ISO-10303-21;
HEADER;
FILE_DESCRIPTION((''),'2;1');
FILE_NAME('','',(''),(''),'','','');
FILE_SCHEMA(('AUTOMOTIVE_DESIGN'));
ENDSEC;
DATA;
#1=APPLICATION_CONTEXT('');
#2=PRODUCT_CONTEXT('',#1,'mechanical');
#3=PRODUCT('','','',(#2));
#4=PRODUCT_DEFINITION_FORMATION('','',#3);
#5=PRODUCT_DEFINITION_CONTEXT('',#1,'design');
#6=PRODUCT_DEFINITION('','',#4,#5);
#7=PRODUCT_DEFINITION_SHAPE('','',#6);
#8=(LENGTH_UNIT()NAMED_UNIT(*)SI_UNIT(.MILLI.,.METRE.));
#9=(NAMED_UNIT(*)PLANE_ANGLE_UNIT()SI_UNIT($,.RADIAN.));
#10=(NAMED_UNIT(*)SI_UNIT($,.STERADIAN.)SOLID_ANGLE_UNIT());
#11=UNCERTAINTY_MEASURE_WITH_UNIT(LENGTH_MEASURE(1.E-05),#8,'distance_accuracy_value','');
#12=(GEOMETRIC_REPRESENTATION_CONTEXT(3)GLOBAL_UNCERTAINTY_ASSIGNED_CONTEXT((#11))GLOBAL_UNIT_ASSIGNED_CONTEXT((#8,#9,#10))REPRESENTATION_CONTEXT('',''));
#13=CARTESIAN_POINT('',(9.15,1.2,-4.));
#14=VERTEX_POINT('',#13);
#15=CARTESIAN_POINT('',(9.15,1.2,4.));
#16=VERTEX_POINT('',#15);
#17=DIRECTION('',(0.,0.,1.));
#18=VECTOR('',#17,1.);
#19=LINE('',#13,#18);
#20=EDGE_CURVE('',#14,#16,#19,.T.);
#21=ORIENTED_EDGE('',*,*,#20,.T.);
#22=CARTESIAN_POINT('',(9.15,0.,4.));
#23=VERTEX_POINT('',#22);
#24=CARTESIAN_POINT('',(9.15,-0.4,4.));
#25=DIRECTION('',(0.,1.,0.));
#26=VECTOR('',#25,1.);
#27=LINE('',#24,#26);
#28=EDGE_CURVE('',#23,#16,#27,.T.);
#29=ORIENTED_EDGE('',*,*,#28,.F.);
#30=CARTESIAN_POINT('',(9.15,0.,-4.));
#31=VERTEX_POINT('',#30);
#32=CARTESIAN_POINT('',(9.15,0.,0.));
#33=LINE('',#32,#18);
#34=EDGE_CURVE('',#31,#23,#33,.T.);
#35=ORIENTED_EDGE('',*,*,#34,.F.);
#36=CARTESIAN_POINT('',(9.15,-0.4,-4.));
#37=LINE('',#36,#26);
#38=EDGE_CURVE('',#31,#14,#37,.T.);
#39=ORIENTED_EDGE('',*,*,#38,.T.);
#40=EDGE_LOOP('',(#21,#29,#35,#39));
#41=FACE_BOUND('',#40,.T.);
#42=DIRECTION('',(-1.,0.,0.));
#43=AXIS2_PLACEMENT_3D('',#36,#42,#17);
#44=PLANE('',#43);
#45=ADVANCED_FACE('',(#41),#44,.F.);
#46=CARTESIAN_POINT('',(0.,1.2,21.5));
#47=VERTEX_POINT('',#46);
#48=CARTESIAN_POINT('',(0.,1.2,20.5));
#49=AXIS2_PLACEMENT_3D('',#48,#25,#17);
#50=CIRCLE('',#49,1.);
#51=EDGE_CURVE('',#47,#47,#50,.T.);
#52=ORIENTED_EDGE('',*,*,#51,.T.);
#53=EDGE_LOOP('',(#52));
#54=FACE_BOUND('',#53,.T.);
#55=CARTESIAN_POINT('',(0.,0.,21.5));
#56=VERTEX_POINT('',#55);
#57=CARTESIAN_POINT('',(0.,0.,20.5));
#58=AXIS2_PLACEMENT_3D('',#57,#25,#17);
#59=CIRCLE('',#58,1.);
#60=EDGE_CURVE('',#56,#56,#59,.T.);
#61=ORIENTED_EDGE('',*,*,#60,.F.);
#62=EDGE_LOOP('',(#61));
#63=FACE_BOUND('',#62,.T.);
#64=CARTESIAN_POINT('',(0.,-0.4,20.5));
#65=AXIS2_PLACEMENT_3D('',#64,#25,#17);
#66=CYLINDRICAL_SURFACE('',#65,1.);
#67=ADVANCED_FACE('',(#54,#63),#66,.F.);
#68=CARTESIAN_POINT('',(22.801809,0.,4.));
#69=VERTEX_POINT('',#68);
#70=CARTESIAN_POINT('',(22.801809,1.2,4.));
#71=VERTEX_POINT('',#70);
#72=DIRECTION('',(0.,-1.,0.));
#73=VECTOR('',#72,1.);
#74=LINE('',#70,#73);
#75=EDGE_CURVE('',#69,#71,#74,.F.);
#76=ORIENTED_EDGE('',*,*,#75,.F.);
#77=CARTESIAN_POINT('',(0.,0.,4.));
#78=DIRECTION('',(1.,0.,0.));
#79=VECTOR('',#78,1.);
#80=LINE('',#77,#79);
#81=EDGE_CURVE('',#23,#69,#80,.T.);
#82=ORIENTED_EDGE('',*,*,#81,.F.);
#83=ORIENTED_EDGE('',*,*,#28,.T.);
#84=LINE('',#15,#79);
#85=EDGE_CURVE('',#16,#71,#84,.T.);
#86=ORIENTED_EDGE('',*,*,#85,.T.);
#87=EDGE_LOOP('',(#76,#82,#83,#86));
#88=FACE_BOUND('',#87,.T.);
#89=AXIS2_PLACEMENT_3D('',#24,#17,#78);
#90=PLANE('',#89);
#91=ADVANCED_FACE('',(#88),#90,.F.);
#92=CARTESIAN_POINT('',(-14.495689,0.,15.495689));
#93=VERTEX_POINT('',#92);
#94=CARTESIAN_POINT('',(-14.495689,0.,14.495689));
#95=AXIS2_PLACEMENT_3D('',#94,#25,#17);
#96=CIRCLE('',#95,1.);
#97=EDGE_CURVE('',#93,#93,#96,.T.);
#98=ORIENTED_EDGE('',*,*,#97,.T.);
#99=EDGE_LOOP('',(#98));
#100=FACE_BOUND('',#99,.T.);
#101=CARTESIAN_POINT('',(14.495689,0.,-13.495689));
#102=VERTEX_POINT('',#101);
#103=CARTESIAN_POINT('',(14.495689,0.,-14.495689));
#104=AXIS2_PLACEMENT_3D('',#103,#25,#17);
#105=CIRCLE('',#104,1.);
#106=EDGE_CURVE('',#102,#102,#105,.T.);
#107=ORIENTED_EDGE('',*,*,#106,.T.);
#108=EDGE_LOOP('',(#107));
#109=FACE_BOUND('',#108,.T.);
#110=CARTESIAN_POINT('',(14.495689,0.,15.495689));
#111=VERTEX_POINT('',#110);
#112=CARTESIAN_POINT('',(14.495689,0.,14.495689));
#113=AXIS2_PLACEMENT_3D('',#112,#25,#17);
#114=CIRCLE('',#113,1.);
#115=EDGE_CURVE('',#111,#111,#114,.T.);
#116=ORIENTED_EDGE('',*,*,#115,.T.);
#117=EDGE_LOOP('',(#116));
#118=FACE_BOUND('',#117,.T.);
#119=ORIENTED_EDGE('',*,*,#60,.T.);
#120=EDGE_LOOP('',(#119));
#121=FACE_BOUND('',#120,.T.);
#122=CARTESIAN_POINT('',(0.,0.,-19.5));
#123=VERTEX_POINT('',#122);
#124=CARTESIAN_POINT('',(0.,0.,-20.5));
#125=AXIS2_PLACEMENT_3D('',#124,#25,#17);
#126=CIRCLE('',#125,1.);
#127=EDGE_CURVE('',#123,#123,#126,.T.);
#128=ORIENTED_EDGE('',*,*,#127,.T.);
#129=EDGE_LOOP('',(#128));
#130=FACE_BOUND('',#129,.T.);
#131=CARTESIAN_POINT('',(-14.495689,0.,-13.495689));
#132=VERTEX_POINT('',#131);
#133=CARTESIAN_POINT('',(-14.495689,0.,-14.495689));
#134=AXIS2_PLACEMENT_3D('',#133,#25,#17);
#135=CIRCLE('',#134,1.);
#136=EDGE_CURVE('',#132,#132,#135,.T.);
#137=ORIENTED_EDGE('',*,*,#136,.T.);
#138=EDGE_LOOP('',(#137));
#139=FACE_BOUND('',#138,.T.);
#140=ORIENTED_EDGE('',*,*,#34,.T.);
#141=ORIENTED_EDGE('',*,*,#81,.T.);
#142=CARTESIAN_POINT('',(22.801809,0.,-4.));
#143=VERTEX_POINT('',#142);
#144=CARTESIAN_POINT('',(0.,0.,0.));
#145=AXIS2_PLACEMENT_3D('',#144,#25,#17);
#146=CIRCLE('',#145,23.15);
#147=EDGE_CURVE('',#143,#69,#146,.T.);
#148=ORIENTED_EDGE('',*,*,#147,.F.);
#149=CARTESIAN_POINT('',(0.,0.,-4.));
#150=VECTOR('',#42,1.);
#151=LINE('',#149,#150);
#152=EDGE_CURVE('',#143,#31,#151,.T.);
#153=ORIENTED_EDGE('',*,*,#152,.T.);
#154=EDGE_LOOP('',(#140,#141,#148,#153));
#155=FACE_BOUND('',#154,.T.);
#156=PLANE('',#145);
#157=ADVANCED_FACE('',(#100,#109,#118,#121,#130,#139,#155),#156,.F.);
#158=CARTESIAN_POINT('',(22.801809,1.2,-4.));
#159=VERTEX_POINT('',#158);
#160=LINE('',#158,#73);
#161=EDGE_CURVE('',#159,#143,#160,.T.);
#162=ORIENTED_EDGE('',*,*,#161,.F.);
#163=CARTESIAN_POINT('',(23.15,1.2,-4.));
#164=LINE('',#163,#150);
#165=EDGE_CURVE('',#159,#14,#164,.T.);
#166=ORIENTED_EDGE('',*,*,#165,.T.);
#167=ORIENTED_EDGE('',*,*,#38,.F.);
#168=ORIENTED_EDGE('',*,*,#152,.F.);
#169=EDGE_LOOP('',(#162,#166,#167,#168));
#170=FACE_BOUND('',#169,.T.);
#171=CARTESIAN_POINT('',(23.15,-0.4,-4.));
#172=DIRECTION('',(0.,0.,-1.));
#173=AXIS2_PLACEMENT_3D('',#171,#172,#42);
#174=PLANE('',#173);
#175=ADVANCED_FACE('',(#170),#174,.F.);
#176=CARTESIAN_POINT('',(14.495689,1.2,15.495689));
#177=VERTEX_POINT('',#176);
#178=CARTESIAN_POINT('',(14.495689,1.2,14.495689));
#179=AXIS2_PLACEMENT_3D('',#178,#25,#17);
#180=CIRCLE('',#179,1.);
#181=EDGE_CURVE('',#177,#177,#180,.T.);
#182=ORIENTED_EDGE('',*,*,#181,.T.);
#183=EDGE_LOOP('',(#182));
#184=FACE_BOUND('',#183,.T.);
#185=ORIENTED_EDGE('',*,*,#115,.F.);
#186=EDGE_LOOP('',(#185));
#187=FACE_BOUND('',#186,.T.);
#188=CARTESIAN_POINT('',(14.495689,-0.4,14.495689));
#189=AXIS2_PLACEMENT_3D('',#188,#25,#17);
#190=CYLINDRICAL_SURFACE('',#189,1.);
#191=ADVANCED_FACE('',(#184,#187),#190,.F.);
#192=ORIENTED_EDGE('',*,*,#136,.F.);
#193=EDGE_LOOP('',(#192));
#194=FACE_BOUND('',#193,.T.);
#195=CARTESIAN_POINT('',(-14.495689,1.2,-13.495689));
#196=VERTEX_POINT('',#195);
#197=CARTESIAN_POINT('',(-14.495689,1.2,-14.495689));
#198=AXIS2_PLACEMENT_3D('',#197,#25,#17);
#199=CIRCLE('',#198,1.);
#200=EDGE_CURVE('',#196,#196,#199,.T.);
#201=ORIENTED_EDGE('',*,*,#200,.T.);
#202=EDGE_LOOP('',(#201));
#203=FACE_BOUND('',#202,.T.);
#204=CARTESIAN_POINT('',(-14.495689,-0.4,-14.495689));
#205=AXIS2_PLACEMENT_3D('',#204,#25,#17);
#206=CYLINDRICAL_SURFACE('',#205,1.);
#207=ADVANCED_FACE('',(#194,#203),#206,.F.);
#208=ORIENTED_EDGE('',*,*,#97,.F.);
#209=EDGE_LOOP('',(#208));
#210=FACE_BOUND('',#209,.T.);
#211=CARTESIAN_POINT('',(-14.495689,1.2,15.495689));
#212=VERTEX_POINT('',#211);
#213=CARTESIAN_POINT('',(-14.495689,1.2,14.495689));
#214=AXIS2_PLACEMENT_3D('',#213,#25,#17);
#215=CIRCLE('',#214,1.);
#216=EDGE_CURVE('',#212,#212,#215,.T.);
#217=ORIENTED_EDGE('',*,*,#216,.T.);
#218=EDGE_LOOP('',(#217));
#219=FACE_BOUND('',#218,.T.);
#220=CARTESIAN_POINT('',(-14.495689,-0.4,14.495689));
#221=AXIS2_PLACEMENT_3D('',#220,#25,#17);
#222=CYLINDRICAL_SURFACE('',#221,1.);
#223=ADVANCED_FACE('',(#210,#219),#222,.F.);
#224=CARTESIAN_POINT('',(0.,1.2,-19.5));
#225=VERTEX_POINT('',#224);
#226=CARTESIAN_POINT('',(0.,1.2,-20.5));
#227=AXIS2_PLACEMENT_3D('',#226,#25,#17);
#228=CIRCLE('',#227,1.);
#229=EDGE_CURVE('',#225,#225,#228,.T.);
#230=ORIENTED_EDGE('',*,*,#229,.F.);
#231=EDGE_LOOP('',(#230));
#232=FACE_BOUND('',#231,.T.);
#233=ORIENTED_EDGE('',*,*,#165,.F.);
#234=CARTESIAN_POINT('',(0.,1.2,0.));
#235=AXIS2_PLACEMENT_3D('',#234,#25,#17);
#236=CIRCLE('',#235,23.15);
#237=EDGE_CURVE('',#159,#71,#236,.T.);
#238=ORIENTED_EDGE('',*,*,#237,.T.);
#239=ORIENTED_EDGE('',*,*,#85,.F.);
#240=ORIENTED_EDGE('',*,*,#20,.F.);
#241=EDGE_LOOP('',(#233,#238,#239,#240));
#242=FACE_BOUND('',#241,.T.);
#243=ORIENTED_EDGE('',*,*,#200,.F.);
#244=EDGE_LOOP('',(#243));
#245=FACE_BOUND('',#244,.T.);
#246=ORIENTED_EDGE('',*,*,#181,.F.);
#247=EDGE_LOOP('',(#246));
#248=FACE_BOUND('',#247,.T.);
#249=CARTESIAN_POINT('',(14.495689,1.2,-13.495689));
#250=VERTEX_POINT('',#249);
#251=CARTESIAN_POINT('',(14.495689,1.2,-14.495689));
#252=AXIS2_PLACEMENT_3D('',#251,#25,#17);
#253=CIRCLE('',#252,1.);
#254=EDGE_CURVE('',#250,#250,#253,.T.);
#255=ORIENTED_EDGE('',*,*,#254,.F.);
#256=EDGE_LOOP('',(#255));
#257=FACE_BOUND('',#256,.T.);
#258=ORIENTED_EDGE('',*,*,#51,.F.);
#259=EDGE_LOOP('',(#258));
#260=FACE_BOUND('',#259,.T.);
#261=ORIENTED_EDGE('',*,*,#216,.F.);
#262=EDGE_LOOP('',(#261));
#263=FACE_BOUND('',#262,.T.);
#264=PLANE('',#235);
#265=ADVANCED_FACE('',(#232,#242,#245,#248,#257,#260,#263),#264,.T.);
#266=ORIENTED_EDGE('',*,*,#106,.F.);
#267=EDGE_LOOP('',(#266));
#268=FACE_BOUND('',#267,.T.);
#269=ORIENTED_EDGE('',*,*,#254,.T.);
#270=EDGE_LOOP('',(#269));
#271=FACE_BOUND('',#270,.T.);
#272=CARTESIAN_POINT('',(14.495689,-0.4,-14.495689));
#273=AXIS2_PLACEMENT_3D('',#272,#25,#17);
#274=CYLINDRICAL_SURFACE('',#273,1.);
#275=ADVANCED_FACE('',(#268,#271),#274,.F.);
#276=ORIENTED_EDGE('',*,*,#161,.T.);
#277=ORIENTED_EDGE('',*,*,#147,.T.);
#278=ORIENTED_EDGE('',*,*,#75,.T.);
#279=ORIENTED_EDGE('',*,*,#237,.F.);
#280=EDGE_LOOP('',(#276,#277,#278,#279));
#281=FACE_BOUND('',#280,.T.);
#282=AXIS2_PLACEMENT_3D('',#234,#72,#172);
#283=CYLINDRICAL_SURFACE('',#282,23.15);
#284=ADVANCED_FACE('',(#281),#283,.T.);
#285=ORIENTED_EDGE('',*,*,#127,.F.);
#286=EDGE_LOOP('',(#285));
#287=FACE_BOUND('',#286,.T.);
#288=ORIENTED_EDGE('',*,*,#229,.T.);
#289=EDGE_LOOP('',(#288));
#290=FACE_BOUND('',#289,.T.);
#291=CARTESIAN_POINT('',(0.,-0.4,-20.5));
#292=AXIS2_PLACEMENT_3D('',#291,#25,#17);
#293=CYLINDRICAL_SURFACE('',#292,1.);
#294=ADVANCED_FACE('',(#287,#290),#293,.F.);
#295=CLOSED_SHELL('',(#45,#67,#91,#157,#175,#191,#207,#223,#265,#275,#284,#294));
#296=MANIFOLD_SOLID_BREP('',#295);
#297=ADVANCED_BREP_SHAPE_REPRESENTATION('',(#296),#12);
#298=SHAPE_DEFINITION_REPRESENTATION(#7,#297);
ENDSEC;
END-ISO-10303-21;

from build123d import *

# Parameters (mm, degrees)
SKETCH_1_R          = 23.15
EXTRUDE_1_DEPTH     = 1.2
SKETCH_2_R          = 1
CUT_EXTRUDE_1_DEPTH = 1.6


with BuildPart() as part:
    # 草图1 → 凸台-拉伸1 (new body)
    with BuildSketch(Plane(origin=(0, 0, 0), x_dir=(1, 0, 0), z_dir=(0, 1, 0))):
        with Locations(Location((0, 0, 0), (0, 0, 270))):
            Circle(SKETCH_1_R)
    extrude(amount=EXTRUDE_1_DEPTH)

    # 草图2 → 切除-拉伸1 (cut)
    with BuildSketch(Plane(origin=(0, 1.2, 0), x_dir=(1, 0, 0), z_dir=(0, 1, 0))):
        with Locations(Location((0, 20.5, 0), (0, 0, 270))):
            Circle(SKETCH_2_R)
        with Locations(Location((14.495689014, 14.495689014, 0), (0, 0, 270))):
            Circle(SKETCH_2_R)
        with Locations(Location((14.495689014, -14.495689014, 0), (0, 0, 270))):
            Circle(SKETCH_2_R)
        with Locations(Location((0, -20.5, 0), (0, 0, 270))):
            Circle(SKETCH_2_R)
        with Locations(Location((-14.495689014, -14.495689014, 0), (0, 0, 270))):
            Circle(SKETCH_2_R)
        with Locations(Location((-14.495689014, 14.495689014, 0), (0, 0, 270))):
            Circle(SKETCH_2_R)
        Polygon((23.15, 0), (23.15, 4), (9.15, 4), (9.15, -4), (23.15, -4), align=None)
    extrude(amount=-CUT_EXTRUDE_1_DEPTH, mode=Mode.SUBTRACT)


solid = part.part
